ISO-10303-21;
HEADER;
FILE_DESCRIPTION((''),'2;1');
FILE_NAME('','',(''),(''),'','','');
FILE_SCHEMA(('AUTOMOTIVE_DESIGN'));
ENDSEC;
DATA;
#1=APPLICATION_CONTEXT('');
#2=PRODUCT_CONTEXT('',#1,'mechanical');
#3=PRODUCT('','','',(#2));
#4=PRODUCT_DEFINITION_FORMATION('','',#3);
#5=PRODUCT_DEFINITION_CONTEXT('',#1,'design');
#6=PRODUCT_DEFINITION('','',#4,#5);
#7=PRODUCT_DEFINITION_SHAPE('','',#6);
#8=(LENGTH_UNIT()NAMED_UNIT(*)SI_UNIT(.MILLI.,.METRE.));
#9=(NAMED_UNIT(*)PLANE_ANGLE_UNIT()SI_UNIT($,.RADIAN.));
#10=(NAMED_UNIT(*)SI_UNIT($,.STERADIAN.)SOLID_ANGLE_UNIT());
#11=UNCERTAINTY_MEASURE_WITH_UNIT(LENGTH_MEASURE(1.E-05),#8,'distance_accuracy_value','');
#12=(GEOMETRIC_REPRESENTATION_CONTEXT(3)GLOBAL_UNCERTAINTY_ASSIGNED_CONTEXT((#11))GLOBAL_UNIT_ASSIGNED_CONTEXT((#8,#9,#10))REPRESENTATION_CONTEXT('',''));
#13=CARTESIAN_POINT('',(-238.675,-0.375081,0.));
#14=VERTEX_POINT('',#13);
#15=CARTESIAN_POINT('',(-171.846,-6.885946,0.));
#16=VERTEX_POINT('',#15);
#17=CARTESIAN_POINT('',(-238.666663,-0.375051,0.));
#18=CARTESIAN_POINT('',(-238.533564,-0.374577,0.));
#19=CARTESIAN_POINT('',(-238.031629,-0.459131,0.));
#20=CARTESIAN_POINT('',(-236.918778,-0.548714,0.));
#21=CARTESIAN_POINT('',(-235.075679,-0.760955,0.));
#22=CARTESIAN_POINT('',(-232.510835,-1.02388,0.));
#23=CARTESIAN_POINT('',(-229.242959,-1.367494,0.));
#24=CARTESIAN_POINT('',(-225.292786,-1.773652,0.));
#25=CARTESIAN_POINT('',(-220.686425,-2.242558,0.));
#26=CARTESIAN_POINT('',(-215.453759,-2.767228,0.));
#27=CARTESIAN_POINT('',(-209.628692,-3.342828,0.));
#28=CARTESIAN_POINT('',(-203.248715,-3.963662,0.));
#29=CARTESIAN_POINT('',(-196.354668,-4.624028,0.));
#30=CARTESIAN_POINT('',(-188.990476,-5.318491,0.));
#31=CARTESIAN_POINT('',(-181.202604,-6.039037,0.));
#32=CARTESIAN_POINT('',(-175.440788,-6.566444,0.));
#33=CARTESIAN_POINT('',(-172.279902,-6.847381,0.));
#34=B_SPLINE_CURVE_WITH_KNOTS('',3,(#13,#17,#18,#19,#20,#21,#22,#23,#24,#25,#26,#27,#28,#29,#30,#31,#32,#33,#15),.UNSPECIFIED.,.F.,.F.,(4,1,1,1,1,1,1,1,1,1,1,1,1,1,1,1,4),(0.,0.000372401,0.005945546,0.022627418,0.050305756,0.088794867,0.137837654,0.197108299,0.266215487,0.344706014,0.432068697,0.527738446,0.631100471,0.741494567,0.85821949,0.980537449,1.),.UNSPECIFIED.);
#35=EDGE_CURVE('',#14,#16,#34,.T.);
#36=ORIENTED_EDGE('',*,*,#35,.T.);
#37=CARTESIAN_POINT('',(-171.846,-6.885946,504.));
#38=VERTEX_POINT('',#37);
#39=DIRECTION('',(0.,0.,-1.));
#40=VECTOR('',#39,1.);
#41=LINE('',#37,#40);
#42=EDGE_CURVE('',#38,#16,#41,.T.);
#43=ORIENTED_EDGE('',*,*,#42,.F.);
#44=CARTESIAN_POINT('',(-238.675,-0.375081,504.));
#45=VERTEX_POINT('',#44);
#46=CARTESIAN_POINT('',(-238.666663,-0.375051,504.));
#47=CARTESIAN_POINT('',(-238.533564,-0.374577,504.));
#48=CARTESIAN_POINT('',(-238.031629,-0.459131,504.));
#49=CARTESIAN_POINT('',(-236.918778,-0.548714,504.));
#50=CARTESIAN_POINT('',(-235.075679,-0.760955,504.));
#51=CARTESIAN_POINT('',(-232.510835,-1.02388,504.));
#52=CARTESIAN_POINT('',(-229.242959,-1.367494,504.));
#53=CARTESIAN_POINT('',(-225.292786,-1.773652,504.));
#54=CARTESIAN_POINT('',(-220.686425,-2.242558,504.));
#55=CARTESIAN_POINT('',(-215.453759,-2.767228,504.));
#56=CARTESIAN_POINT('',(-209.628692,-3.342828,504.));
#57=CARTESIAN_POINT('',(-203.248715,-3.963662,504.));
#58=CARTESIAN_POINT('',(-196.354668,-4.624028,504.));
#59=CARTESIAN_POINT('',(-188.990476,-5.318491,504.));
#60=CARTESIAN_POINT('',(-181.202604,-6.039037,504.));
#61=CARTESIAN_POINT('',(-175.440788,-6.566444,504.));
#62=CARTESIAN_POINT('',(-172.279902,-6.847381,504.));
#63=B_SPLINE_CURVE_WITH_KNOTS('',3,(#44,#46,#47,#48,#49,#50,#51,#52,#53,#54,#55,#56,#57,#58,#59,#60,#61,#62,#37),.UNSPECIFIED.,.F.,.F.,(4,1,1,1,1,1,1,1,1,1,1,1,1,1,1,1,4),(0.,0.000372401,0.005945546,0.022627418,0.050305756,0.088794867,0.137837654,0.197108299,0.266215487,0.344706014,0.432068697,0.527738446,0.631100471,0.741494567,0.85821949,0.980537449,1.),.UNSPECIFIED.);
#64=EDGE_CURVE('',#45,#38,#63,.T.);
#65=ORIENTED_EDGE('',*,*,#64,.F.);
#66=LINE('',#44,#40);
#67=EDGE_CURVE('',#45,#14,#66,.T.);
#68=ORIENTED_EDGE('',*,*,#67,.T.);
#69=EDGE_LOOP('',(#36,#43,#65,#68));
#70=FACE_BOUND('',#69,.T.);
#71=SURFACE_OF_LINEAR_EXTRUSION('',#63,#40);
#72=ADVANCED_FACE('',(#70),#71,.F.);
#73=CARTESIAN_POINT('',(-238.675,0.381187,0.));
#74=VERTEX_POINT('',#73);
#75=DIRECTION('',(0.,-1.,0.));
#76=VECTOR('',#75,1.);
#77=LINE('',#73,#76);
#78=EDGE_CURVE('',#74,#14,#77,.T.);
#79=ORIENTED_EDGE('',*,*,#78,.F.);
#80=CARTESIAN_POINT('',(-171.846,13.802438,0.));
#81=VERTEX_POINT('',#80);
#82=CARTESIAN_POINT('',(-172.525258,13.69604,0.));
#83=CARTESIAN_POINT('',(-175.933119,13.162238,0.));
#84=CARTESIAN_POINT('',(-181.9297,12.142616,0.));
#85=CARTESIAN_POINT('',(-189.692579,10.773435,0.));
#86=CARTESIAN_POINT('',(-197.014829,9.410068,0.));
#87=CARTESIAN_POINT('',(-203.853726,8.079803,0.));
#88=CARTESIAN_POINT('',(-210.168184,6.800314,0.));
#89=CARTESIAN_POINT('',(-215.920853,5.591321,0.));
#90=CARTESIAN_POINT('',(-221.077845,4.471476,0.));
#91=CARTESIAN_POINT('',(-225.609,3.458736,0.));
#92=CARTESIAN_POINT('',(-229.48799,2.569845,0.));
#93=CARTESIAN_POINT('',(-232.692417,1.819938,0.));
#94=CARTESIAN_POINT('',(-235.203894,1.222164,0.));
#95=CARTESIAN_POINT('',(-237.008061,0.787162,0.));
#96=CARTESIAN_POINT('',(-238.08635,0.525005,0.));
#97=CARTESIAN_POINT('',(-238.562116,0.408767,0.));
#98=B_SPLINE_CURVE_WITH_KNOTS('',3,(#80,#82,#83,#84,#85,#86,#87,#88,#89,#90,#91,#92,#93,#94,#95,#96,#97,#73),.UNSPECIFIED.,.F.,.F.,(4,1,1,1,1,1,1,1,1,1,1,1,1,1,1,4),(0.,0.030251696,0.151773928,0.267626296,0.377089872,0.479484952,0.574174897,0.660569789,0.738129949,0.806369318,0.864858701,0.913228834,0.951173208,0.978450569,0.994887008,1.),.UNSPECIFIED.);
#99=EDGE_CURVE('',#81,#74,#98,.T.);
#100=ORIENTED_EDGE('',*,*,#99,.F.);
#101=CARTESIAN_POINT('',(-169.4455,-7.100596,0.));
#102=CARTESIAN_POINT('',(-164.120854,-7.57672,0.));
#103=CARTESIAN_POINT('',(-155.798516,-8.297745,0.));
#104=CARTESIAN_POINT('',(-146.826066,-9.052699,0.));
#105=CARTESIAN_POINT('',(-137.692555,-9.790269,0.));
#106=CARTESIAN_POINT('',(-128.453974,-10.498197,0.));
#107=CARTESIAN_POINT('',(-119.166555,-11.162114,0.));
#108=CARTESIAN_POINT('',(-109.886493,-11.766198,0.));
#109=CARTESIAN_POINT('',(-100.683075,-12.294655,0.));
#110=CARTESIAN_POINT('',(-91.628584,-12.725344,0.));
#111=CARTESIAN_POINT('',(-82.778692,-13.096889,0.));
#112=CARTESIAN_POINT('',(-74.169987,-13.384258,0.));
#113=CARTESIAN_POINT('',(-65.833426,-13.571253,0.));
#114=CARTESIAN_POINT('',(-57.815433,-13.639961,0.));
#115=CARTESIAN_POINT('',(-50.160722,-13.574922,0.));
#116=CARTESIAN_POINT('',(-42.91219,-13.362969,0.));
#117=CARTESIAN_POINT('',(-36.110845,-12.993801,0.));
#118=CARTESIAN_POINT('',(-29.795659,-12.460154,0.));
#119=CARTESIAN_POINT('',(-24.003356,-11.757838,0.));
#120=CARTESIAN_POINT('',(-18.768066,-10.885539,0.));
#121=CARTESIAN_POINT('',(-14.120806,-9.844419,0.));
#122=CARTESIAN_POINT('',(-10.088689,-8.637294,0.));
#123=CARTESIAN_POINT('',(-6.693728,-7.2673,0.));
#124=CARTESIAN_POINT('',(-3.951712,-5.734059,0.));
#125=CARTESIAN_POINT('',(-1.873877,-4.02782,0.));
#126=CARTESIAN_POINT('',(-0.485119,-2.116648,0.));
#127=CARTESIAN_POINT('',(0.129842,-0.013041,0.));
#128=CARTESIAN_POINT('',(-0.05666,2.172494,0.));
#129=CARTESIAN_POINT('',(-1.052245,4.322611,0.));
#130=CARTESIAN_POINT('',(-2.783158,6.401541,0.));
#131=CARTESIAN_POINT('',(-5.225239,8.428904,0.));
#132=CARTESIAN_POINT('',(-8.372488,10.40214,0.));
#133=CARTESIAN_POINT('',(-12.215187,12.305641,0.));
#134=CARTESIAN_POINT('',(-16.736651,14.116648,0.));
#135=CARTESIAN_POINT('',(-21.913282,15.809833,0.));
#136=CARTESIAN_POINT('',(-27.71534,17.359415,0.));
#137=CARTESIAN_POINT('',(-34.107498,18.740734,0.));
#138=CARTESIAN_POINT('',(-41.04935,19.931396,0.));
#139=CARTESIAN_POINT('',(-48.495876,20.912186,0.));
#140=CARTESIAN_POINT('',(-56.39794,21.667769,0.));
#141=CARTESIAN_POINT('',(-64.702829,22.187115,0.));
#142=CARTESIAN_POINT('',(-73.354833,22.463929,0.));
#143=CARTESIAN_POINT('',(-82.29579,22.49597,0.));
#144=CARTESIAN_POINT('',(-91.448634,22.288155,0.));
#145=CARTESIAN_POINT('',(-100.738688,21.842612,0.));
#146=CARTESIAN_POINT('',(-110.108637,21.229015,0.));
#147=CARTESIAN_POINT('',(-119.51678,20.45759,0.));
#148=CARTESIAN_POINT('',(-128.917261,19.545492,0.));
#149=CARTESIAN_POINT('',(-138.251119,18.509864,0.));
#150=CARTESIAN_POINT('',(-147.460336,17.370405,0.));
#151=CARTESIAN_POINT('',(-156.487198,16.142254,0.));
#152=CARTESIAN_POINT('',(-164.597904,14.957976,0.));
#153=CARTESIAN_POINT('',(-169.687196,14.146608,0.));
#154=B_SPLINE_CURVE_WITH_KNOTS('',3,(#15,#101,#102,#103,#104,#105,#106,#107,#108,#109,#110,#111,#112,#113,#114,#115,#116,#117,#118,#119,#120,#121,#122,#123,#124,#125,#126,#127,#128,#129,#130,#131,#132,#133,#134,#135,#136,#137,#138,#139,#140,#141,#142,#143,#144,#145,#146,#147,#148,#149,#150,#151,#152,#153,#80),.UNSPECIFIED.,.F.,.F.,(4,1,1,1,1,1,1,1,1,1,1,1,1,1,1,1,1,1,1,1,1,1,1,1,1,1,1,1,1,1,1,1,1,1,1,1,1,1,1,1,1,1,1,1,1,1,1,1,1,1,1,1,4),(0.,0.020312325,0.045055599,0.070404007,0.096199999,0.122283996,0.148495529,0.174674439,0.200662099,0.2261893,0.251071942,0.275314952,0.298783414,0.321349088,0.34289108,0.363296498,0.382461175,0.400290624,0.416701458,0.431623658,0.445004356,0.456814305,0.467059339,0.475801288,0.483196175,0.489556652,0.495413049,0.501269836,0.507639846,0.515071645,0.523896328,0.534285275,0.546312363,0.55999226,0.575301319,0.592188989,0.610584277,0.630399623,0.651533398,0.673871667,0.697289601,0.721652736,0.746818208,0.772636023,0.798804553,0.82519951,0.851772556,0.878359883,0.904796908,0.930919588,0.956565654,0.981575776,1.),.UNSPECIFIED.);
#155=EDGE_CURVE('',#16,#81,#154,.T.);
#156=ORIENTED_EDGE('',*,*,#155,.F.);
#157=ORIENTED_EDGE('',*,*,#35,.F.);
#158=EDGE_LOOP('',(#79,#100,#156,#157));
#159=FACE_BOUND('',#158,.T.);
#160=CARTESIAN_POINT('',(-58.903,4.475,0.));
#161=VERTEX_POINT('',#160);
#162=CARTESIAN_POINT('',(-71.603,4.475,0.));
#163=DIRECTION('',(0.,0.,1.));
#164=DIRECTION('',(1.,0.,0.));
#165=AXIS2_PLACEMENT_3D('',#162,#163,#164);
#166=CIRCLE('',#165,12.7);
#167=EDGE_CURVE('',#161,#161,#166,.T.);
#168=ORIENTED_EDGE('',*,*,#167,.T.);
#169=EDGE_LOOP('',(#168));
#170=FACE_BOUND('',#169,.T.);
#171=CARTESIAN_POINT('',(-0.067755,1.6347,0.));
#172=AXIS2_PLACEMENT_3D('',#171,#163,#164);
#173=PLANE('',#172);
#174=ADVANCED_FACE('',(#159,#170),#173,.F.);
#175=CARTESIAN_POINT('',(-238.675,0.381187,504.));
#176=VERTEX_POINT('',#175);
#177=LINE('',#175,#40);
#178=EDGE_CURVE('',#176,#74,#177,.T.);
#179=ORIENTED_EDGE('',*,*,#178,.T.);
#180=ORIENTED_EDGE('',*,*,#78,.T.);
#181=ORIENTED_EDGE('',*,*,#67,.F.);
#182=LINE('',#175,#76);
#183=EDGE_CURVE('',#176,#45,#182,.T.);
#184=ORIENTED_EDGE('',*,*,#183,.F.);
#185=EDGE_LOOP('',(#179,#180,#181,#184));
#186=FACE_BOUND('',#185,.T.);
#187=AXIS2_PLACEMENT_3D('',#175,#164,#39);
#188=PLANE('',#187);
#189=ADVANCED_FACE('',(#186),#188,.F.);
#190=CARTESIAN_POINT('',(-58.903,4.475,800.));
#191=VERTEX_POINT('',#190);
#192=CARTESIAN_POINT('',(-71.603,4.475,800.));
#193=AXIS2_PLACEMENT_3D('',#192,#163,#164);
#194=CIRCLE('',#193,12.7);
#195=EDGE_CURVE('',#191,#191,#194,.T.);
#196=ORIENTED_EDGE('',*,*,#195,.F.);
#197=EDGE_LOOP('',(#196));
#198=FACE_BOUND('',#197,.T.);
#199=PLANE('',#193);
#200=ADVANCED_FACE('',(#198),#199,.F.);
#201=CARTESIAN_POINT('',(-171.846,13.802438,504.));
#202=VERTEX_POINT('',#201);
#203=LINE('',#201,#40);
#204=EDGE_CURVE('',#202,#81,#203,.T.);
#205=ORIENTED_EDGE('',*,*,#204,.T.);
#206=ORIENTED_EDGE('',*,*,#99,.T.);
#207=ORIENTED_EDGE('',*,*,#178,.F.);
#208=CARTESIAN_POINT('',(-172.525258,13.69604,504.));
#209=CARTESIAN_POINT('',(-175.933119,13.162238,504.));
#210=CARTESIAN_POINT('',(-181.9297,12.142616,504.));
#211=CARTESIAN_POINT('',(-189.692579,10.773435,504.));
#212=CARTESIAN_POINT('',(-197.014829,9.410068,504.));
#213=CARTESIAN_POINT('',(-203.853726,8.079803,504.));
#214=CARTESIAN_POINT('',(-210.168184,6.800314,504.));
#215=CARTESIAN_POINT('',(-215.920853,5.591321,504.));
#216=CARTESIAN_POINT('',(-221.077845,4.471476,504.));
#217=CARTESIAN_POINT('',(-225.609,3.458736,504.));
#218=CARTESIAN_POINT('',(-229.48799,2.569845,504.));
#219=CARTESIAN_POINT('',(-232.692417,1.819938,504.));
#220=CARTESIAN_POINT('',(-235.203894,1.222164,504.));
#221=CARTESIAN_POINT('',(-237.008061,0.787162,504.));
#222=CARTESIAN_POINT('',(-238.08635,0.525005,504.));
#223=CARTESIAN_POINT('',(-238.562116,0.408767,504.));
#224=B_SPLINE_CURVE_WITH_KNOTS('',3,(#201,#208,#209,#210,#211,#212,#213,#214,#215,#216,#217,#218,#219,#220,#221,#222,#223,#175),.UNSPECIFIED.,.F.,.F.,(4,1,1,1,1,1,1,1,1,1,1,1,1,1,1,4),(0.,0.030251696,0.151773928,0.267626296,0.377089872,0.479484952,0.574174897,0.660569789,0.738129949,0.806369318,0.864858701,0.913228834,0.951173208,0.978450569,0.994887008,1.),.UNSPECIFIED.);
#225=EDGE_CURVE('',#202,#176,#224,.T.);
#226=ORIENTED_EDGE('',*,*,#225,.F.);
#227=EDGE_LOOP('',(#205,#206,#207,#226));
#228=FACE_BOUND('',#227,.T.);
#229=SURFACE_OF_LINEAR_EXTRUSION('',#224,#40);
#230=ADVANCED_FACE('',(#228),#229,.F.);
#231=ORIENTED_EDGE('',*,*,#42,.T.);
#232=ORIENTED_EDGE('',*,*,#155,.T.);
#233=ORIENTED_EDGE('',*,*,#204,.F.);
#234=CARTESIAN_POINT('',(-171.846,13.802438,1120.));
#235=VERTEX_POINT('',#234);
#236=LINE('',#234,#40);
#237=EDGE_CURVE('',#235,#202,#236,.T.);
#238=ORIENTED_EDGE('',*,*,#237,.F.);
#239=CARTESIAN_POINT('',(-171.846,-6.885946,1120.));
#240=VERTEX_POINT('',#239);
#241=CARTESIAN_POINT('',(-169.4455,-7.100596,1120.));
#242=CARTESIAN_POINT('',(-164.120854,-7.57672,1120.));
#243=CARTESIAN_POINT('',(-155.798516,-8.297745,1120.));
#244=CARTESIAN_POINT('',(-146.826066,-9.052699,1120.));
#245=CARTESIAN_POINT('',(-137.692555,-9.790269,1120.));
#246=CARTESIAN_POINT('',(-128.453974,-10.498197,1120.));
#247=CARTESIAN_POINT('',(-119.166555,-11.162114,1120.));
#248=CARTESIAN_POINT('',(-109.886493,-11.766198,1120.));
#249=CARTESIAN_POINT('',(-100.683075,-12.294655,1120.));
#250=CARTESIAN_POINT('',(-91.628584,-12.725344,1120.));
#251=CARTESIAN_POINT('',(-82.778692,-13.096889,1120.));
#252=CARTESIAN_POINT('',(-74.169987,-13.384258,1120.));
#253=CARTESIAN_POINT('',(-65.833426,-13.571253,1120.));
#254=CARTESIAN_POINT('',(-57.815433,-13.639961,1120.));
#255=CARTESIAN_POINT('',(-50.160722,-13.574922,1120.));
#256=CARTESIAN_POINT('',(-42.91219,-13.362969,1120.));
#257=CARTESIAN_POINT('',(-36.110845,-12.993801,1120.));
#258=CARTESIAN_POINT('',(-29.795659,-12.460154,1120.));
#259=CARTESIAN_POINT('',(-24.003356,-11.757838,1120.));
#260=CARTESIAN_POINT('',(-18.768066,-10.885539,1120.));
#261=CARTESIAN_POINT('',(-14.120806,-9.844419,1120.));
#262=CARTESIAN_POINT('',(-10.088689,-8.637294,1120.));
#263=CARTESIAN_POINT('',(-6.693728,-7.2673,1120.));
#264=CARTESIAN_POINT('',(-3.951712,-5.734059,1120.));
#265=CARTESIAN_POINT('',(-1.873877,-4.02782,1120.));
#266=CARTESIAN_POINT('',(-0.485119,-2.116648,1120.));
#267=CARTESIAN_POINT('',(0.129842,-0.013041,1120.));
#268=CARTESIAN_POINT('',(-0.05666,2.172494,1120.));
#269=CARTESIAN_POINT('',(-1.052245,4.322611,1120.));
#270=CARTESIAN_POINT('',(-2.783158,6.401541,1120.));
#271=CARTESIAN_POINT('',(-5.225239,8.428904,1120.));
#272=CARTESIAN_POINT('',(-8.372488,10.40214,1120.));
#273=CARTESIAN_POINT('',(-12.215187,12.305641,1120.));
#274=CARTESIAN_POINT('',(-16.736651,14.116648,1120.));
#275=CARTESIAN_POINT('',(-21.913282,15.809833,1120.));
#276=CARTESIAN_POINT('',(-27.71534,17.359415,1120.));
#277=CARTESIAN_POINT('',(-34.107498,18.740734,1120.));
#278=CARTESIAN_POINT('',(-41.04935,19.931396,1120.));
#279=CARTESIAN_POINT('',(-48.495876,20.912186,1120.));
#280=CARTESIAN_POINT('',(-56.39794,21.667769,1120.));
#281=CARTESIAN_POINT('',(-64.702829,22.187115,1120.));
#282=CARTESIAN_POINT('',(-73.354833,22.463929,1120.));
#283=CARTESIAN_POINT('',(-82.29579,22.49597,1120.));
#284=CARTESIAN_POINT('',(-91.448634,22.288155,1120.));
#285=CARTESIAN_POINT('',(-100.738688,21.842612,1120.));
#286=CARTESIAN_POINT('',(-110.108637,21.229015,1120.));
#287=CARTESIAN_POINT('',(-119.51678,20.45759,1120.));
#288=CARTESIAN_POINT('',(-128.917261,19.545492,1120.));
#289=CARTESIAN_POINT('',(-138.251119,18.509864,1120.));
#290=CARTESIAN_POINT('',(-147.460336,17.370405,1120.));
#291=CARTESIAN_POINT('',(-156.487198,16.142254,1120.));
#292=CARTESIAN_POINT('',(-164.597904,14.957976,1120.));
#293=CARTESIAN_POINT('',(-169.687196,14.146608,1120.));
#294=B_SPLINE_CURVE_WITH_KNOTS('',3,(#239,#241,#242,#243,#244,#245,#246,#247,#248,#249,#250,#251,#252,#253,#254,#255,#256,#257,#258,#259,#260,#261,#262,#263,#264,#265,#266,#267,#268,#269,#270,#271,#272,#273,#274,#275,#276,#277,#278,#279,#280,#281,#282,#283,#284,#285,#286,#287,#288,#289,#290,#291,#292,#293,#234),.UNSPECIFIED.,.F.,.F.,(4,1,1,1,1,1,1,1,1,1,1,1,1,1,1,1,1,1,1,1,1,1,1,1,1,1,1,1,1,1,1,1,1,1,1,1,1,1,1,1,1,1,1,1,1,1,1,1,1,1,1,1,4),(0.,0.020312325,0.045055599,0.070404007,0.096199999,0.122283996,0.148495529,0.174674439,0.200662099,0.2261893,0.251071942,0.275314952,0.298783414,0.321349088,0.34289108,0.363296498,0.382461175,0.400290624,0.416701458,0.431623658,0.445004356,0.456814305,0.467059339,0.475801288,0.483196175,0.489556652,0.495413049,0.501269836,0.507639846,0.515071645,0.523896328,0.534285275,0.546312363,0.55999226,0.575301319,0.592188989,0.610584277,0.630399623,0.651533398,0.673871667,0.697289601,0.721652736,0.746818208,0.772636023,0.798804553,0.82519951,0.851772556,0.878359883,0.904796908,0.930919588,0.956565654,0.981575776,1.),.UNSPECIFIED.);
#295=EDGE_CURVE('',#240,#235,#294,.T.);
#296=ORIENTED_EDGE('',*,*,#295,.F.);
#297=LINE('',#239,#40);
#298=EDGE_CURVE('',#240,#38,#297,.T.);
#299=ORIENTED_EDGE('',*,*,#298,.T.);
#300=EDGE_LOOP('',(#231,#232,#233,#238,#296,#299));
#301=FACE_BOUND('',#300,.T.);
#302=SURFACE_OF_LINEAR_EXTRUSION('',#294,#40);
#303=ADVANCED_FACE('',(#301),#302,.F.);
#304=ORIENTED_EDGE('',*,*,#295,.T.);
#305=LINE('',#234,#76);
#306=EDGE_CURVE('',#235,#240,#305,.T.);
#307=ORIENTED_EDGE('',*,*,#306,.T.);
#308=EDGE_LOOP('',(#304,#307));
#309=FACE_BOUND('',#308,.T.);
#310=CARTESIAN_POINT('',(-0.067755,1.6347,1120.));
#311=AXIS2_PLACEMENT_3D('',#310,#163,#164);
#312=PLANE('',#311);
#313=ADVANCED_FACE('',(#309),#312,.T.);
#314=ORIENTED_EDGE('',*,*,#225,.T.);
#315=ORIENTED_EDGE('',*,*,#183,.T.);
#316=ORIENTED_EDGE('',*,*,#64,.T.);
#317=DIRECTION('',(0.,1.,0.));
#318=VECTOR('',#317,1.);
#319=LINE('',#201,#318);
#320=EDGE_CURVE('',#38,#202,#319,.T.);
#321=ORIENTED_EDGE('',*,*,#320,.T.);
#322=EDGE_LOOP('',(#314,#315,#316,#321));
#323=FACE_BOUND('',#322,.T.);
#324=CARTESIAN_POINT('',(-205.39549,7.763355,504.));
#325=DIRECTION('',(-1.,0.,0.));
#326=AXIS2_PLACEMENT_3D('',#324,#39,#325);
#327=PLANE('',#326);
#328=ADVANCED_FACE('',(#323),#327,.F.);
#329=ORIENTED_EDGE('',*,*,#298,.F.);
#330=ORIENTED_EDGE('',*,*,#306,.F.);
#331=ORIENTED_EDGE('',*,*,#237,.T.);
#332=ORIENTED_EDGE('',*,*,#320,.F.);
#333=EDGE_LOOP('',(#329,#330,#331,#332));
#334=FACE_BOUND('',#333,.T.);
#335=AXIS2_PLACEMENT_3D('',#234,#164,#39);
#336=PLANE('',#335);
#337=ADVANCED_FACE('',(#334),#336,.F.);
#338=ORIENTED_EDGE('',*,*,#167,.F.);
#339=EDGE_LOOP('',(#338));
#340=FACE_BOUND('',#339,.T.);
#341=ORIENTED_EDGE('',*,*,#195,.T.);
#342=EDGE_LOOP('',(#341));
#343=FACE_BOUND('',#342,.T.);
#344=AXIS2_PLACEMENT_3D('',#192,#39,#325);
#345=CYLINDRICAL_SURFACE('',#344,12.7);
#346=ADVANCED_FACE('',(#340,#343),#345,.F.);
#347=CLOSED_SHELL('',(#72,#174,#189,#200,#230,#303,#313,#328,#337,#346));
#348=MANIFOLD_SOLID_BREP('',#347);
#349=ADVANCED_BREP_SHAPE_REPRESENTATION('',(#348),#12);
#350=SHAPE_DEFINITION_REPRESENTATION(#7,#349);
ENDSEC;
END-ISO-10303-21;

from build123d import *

# Parameters (mm, degrees)
BOSS_EXTRUDE1_DEPTH = 1120
BOSS_EXTRUDE2_DEPTH = 504
SKETCH3_R           = 12.7
CUT_EXTRUDE2_DEPTH  = 800


with BuildPart() as part:
    # Sketch1 → Boss-Extrude1 (new body)
    with BuildSketch(Plane.XY):
        with BuildLine():
            Line((-171.846, 13.802437795), (-171.846, -6.885945817))
            add(Edge.make_bspline(
                [(-171.846, 13.802437795), (-169.687195915, 14.146608219), (-164.597904491, 14.957975772), (-156.487198096, 16.142253603), (-147.460336343, 17.370404658), (-138.251119141, 18.509863587), (-128.91726091, 19.545491819), (-119.516780163, 20.457589719), (-110.108636731, 21.229014604), (-100.738687873, 21.842612064), (-91.448634267, 22.288155063), (-82.295790198, 22.495969861), (-73.354832572, 22.463929008), (-64.702828584, 22.18711462), (-56.397940477, 21.667769113), (-48.495875722, 20.912185856), (-41.049350171, 19.931395959), (-34.10749814, 18.740733947), (-27.715339735, 17.359414779), (-21.913282389, 15.809833244), (-16.73665061, 14.116648387), (-12.215187057, 12.305641332), (-8.372488395, 10.402139974), (-5.225239405, 8.428904048), (-2.783157587, 6.401540541), (-1.052244784, 4.322610537), (-0.056660018, 2.172493692), (0.129841681, -0.013040918), (-0.485118951, -2.116648366), (-1.873876517, -4.027820142), (-3.951712439, -5.73405902), (-6.693728323, -7.267300245), (-10.088688623, -8.637294366), (-14.120806225, -9.844419373), (-18.768065608, -10.885539045), (-24.003355548, -11.757837546), (-29.795659026, -12.460153718), (-36.110844654, -12.993800718), (-42.912190191, -13.362969431), (-50.160721884, -13.574922495), (-57.815433259, -13.639960871), (-65.833426064, -13.571253014), (-74.169986794, -13.384258056), (-82.778692186, -13.096889474), (-91.628583698, -12.725343858), (-100.6830751, -12.294655463), (-109.886493182, -11.766197657), (-119.166555289, -11.162114496), (-128.453974413, -10.498197235), (-137.692554642, -9.790268876), (-146.826066097, -9.052699068), (-155.798515887, -8.297745307), (-164.120854312, -7.576719647), (-169.445500495, -7.10059578), (-171.846, -6.885945817)],
                knots=[0, 0, 0, 0, 0.018424224, 0.043434346, 0.069080412, 0.095203092, 0.121640117, 0.148227444, 0.17480049, 0.201195447, 0.227363977, 0.253181792, 0.278347264, 0.302710399, 0.326128333, 0.348466602, 0.369600377, 0.389415723, 0.407811011, 0.424698681, 0.44000774, 0.453687637, 0.465714725, 0.476103672, 0.484928355, 0.492360154, 0.498730164, 0.504586951, 0.510443348, 0.516803825, 0.524198712, 0.532940661, 0.543185695, 0.554995644, 0.568376342, 0.583298542, 0.599709376, 0.617538825, 0.636703502, 0.65710892, 0.678650912, 0.701216586, 0.724685048, 0.748928058, 0.7738107, 0.799337901, 0.825325561, 0.851504471, 0.877716004, 0.903800001, 0.929595993, 0.954944401, 0.979687675, 1, 1, 1, 1], degree=3))
        make_face()
    extrude(amount=BOSS_EXTRUDE1_DEPTH)

    # Sketch2 → Boss-Extrude2 (add)
    with BuildSketch(Plane.XY):
        with BuildLine():
            Line((-171.846, 13.802437795), (-171.846, -6.885945817))
            add(Edge.make_bspline(
                [(-171.846, -6.885945817), (-172.279902363, -6.847380871), (-175.440788036, -6.566443507), (-181.20260448, -6.039037107), (-188.990475627, -5.318490675), (-196.354667503, -4.624027661), (-203.248715472, -3.963662315), (-209.62869157, -3.342827921), (-215.45375872, -2.767227992), (-220.68642467, -2.242557883), (-225.292785955, -1.773651923), (-229.242958682, -1.367494105), (-232.510834877, -1.023880311), (-235.075678546, -0.760955177), (-236.918777596, -0.548714441), (-238.031628616, -0.459131063), (-238.533564191, -0.37457711), (-238.666663293, -0.375050863), (-238.675, -0.375080537)],
                knots=[0, 0, 0, 0, 0.019462551, 0.14178051, 0.258505433, 0.368899529, 0.472261554, 0.567931303, 0.655293986, 0.733784513, 0.802891701, 0.862162346, 0.911205133, 0.949694244, 0.977372582, 0.994054454, 0.999627599, 1, 1, 1, 1], degree=3))
            Line((-238.675, -0.375080537), (-238.675, 0.381187438))
            add(Edge.make_bspline(
                [(-171.846, 13.802437795), (-172.525257616, 13.696039939), (-175.933119288, 13.16223779), (-181.929700077, 12.142616472), (-189.692578637, 10.773435489), (-197.014829139, 9.410068419), (-203.853725709, 8.079803357), (-210.168184203, 6.800314366), (-215.920853202, 5.591321475), (-221.077844696, 4.471475693), (-225.608999658, 3.458736193), (-229.487989982, 2.569844783), (-232.692417395, 1.819938124), (-235.203893788, 1.222163617), (-237.008061317, 0.787162185), (-238.08635023, 0.525005253), (-238.562115977, 0.408767052), (-238.675, 0.381187438)],
                knots=[0, 0, 0, 0, 0.030251696, 0.151773928, 0.267626296, 0.377089872, 0.479484952, 0.574174897, 0.660569789, 0.738129949, 0.806369318, 0.864858701, 0.913228834, 0.951173208, 0.978450569, 0.994887008, 1, 1, 1, 1], degree=3))
        make_face()
    extrude(amount=BOSS_EXTRUDE2_DEPTH)

    # Sketch3 → Cut-Extrude2 (cut)
    with BuildSketch(Plane.XY):
        with Locations((-71.603, 4.475)):
            Circle(SKETCH3_R)
    extrude(amount=CUT_EXTRUDE2_DEPTH, mode=Mode.SUBTRACT)


solid = part.part
